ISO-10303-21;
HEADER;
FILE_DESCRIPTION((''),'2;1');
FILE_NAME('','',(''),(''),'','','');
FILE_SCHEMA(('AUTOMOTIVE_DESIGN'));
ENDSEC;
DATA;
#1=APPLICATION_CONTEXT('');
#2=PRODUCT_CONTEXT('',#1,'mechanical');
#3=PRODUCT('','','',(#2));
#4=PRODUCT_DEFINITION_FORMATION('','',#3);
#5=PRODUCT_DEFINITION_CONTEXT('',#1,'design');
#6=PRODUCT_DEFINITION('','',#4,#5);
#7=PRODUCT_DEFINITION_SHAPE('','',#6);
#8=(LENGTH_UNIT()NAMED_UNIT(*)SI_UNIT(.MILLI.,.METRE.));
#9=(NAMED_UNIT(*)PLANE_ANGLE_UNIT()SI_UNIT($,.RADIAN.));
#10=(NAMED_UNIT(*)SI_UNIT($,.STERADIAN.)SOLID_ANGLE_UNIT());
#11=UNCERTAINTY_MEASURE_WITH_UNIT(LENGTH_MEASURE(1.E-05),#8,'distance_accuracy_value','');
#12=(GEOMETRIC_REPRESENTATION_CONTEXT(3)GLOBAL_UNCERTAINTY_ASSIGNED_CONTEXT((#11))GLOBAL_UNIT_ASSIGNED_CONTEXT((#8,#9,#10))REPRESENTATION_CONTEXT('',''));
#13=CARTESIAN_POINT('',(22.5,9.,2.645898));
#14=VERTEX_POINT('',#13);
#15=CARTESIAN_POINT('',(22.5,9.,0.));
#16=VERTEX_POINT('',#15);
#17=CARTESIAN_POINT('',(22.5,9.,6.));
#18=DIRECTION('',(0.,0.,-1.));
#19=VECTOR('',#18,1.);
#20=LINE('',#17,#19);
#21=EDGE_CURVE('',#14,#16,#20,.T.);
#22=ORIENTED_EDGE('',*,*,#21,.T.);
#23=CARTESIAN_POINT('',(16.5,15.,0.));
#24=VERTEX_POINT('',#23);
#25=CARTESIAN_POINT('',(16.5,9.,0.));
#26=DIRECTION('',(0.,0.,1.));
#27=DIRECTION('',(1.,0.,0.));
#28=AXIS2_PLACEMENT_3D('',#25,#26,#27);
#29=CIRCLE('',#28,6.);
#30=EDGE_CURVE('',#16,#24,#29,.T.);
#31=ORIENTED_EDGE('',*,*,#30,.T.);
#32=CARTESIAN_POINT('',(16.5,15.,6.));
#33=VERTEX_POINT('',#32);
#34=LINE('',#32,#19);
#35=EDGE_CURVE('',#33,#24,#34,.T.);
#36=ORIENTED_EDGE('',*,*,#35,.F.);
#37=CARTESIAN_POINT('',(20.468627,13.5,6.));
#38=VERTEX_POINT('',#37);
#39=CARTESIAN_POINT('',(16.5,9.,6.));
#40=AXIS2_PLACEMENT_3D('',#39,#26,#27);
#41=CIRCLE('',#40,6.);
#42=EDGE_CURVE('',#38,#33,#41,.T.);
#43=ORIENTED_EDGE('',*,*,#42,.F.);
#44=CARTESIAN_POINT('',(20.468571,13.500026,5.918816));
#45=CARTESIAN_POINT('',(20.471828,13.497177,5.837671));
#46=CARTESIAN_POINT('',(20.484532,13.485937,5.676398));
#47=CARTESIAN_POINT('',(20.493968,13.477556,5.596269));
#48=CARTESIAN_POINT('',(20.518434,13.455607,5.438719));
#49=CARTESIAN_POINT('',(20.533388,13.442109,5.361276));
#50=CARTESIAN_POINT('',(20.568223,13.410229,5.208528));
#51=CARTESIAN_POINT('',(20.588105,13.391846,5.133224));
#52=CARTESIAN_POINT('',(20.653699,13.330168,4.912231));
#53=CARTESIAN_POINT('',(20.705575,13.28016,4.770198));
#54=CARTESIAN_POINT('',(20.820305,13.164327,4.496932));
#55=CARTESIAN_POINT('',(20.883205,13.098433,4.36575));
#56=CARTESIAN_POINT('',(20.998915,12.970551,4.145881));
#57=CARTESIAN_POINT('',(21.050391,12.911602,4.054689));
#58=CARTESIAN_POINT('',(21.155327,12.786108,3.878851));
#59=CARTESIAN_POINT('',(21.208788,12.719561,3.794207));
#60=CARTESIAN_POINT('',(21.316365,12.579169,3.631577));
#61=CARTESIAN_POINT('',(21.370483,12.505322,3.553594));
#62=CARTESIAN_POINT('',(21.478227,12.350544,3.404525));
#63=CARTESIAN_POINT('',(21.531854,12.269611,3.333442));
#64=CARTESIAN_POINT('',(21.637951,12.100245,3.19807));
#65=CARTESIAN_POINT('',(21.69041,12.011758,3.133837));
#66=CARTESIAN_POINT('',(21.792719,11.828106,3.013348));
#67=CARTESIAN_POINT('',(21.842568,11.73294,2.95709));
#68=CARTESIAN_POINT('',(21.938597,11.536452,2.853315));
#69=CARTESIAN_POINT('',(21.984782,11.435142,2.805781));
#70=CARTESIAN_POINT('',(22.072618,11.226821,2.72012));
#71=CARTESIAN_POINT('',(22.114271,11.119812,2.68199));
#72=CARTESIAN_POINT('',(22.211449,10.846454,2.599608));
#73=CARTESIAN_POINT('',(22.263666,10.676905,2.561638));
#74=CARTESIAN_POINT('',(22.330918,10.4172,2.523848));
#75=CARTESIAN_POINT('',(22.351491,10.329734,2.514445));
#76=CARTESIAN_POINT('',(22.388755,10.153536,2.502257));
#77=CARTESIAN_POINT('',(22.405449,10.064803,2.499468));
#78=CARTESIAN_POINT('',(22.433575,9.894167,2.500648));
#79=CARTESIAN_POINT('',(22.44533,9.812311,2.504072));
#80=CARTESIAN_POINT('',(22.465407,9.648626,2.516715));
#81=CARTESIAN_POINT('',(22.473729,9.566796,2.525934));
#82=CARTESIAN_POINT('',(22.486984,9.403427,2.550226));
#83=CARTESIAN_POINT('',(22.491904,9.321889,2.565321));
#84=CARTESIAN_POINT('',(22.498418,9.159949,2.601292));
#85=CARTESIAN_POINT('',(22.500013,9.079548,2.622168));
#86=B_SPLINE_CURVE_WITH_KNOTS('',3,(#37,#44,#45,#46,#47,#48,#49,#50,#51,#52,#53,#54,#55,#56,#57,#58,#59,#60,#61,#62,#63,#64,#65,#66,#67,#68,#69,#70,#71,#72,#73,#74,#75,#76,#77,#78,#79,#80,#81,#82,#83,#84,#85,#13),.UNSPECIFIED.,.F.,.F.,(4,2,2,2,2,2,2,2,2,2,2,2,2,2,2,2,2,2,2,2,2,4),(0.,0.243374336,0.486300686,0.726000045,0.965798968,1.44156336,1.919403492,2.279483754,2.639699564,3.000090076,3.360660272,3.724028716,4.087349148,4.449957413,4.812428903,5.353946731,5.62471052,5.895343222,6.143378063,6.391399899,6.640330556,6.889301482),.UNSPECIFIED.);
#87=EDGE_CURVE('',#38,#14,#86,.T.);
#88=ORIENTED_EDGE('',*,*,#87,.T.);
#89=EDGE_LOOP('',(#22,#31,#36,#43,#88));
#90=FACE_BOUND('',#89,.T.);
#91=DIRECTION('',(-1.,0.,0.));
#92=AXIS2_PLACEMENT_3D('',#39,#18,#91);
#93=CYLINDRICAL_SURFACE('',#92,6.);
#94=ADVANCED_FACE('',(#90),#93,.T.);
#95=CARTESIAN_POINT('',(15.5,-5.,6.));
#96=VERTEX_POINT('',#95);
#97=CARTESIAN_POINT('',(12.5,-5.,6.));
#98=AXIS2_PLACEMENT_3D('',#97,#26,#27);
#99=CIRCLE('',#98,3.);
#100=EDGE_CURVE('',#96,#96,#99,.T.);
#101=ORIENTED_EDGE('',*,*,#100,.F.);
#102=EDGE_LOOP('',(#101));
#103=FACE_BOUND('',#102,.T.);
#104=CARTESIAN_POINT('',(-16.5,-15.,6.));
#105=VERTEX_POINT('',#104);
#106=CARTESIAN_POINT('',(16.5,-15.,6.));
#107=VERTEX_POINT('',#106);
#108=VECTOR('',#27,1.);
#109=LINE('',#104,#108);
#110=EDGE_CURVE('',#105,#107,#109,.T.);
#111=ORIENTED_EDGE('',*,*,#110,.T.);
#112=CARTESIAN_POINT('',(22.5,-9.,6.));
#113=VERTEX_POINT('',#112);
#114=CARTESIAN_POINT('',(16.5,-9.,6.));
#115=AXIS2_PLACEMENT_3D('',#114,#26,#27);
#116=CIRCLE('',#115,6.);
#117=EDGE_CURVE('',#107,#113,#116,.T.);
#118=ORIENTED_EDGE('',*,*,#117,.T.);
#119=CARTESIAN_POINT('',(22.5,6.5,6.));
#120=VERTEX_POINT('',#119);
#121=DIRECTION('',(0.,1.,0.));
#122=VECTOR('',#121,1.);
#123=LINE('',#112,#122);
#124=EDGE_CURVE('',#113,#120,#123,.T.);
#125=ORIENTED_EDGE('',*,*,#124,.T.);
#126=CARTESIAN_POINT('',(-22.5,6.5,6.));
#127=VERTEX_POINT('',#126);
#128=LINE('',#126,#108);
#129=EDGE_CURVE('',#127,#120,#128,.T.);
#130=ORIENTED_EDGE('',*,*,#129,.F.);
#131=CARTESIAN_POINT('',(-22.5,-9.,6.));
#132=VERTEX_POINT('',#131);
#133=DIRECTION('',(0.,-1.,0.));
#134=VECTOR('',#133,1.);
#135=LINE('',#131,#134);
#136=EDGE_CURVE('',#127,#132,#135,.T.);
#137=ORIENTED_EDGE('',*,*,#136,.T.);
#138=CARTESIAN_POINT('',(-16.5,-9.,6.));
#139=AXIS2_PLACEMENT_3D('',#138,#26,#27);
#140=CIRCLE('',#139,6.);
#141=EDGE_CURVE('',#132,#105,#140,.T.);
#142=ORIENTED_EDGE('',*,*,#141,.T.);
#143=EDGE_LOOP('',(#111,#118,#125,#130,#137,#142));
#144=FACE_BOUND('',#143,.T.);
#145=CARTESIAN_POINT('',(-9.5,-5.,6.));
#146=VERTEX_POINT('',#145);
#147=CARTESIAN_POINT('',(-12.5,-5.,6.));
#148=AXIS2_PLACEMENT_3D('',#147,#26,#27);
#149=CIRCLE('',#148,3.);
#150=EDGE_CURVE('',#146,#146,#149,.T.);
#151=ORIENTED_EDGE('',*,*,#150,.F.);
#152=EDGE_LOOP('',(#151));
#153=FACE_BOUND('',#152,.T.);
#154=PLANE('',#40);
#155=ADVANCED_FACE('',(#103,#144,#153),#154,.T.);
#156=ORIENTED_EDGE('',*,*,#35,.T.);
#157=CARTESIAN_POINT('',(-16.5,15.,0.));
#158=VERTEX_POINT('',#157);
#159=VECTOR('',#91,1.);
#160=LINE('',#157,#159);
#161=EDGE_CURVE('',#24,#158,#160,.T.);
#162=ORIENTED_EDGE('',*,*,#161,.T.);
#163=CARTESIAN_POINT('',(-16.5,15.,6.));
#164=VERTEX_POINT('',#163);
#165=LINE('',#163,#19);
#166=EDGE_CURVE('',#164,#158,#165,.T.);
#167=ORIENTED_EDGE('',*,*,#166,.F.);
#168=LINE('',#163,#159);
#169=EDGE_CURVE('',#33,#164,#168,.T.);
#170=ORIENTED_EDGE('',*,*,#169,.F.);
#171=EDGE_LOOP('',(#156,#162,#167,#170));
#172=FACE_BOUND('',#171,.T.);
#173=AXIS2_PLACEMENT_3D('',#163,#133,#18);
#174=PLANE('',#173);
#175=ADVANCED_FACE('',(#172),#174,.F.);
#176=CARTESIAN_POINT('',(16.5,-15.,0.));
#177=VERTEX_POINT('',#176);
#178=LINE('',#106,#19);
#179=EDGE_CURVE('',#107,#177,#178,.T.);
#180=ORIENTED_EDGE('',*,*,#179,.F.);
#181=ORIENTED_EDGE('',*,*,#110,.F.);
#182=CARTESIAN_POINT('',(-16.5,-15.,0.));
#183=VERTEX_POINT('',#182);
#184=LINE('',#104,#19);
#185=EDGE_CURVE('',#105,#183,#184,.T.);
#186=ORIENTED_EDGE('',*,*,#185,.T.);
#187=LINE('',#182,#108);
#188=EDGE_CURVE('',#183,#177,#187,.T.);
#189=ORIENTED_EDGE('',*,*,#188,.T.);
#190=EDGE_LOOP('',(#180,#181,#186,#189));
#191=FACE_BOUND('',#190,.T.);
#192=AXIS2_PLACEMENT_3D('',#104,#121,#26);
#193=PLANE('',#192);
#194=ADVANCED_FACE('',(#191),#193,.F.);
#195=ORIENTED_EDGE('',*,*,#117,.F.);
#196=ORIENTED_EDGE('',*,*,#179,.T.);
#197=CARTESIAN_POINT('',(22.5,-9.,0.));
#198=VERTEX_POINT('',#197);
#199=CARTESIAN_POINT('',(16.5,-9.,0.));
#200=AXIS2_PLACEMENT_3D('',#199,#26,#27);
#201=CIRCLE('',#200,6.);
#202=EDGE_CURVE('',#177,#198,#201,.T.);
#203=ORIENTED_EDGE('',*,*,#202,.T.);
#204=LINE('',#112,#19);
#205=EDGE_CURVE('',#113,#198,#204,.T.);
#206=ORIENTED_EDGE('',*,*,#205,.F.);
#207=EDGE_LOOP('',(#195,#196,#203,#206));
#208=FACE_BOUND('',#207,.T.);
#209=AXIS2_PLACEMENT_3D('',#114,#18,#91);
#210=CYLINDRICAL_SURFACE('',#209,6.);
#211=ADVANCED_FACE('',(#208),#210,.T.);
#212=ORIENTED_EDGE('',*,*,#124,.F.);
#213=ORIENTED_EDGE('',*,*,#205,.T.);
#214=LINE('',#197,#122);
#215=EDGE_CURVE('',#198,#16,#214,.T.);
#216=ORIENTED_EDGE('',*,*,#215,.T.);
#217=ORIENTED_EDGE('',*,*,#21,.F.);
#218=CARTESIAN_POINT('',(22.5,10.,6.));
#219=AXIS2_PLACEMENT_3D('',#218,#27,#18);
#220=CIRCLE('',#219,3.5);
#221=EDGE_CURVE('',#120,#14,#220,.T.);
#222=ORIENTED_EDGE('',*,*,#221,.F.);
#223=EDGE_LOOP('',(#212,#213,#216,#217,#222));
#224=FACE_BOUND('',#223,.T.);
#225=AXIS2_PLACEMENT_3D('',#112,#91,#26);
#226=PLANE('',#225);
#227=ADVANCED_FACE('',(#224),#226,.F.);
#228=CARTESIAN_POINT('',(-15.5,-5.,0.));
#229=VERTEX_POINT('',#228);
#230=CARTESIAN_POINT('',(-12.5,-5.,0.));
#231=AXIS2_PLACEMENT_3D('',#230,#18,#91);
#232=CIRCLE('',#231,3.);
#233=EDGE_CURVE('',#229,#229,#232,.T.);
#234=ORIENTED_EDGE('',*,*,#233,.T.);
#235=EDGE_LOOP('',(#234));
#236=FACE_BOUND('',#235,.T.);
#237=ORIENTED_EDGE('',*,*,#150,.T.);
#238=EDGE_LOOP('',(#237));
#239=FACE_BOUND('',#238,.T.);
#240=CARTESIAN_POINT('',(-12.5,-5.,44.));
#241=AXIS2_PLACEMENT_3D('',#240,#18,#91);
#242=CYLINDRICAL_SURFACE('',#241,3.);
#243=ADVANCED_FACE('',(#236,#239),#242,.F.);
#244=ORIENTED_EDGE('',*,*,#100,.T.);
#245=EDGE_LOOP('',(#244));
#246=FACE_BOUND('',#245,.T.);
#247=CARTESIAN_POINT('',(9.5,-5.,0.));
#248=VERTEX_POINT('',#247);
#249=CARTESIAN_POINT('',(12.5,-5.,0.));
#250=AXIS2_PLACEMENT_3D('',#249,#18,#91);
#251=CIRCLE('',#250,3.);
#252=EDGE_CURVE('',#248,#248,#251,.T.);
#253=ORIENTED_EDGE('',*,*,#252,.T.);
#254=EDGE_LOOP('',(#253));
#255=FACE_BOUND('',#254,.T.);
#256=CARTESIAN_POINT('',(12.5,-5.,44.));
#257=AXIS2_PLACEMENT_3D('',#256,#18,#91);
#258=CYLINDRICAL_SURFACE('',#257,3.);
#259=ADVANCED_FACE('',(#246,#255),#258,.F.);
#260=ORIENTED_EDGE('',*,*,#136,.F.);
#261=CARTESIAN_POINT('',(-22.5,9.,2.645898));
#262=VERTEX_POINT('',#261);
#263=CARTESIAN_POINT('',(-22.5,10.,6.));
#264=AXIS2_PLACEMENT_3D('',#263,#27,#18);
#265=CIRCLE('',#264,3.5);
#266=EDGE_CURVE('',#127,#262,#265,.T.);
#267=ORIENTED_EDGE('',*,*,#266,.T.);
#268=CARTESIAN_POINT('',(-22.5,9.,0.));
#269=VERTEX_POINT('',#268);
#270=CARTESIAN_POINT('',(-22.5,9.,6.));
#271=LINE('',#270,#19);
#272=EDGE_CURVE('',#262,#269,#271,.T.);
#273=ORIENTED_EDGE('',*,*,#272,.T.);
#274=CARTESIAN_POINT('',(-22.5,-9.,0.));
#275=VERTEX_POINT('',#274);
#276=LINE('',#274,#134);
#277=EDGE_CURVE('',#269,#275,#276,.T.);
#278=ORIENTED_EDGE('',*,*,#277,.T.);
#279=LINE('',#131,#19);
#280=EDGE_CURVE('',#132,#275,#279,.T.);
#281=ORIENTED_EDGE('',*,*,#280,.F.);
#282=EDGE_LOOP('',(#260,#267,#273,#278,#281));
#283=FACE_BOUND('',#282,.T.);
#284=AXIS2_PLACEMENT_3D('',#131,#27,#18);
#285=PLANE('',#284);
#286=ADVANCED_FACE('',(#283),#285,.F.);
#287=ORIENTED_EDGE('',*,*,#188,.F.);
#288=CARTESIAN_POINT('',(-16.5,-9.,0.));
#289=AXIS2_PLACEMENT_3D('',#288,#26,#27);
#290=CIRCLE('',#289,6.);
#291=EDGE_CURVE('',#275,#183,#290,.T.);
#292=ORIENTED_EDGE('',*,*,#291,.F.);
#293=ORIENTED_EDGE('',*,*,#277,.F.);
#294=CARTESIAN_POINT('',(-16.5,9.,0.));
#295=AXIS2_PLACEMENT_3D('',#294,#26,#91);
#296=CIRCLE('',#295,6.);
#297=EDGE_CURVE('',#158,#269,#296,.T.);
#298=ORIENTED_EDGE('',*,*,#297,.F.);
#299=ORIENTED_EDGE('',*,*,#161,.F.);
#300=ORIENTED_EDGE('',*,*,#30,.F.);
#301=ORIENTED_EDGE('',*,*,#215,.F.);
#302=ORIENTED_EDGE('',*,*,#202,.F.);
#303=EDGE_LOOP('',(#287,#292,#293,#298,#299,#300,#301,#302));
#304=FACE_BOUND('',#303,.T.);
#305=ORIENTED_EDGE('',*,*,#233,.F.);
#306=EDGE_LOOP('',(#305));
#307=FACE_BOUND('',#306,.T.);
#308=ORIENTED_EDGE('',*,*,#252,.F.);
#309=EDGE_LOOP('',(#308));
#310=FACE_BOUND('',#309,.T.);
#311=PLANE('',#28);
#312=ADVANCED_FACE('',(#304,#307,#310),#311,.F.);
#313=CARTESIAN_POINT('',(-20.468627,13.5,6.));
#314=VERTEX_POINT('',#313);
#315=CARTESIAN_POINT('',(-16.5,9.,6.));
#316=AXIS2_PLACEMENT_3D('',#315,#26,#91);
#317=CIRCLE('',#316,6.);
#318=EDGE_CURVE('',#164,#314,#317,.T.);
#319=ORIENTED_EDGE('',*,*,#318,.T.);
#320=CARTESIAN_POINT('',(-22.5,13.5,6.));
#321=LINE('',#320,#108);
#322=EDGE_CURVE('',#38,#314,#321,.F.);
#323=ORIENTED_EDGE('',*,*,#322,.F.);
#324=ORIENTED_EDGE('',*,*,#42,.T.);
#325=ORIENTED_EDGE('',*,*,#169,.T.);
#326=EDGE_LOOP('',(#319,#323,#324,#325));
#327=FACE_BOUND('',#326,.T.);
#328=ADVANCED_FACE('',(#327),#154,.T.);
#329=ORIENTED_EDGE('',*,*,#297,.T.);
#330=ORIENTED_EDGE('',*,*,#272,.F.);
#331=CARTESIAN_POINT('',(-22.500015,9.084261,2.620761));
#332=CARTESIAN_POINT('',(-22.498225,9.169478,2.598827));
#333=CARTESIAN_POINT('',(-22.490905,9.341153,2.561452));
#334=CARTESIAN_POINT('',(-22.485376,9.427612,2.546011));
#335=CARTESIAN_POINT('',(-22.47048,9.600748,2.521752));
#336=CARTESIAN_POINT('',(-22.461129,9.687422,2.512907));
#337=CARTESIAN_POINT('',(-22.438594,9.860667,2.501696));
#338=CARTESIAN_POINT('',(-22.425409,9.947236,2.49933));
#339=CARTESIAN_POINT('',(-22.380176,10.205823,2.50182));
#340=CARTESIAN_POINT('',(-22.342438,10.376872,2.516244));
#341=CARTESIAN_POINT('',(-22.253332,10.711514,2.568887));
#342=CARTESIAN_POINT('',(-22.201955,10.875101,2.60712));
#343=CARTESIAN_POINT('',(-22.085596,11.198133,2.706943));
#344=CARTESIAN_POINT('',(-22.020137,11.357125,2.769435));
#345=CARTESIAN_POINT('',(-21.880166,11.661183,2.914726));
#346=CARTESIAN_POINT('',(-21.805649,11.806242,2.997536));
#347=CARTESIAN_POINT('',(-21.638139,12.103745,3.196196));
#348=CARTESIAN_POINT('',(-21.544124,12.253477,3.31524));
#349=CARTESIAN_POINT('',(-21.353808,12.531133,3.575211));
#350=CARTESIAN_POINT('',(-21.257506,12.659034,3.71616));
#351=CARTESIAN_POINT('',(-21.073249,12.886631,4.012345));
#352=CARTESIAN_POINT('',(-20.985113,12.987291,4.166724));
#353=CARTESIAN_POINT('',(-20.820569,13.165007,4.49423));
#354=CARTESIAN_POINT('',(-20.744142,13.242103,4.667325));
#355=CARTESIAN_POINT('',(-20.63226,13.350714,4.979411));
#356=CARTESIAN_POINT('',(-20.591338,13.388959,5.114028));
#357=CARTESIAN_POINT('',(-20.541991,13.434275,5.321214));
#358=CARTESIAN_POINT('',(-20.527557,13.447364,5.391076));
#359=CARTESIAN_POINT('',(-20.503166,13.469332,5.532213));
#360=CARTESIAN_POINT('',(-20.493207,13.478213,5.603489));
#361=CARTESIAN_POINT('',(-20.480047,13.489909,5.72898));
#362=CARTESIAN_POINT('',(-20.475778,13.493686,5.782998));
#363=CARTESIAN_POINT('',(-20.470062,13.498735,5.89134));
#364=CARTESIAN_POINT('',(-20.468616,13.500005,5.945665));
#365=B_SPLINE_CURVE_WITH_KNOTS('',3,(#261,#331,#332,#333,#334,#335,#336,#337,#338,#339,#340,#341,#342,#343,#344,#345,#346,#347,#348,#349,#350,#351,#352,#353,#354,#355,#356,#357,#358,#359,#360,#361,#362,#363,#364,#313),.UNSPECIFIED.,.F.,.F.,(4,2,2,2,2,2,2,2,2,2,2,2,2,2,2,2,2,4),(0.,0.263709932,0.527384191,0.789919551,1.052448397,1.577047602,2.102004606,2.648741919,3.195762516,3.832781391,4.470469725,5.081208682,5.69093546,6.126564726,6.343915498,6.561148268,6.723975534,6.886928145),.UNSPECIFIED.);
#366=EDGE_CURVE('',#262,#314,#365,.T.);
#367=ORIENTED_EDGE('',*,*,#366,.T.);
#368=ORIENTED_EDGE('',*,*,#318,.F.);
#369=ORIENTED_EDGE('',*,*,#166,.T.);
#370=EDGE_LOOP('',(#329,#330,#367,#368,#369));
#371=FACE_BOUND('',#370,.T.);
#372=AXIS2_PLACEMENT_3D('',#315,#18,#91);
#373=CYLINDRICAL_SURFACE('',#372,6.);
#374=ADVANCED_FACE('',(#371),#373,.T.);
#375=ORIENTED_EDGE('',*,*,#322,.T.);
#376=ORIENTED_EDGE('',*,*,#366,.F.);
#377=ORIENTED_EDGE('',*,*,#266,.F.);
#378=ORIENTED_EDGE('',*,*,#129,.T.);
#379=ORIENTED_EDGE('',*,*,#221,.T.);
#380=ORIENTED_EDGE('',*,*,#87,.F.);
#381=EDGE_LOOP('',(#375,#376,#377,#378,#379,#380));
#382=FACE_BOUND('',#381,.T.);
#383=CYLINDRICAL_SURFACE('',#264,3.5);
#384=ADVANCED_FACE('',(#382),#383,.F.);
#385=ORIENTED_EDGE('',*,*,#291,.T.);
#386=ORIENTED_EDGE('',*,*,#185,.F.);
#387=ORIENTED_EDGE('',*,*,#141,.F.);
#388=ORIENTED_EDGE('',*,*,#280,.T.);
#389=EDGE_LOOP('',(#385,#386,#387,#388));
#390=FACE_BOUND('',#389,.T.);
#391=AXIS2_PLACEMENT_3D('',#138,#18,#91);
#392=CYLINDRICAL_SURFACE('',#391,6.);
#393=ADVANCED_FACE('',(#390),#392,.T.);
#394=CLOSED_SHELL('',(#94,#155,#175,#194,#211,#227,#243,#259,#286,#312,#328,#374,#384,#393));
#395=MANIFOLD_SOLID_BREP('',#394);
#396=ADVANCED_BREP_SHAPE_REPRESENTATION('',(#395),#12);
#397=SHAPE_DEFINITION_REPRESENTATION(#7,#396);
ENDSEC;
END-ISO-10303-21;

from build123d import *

# Parameters (mm, degrees)
Y_KSEKLIK_EKSTR_ZYON1_DEPTH = 6
KES_EKSTR_ZYON1_DEPTH       = 28.699277969
KES_EKSTR_ZYON1_DEPTH_BACK  = 28.699277969
IZIM2_R                     = 3.5
IZIM3_R                     = 3
KES_EKSTR_ZYON2_DEPTH       = 44


with BuildPart() as part:
    # Çizim1 → Yükseklik-Ekstrüzyon1 (new body)
    with BuildSketch(Plane.XY):
        with BuildLine():
            Line((-16.5, -15), (16.5, -15))
            ThreePointArc((16.5, -15), (20.742640687, -13.242640687), (22.5, -9))
            Line((22.5, -9), (22.5, 9))
            ThreePointArc((22.5, 9), (20.742640687, 13.242640687), (16.5, 15))
            Line((16.5, 15), (-16.5, 15))
            ThreePointArc((-16.5, 15), (-20.742640687, 13.242640687), (-22.5, 9))
            Line((-22.5, 9), (-22.5, -9))
            ThreePointArc((-22.5, -9), (-20.742640687, -13.242640687), (-16.5, -15))
        make_face()
    extrude(amount=Y_KSEKLIK_EKSTR_ZYON1_DEPTH)

    # Çizim2 → Kes-Ekstrüzyon1 (cut, two sides: drawn at the far end of the back side and taken through both)
    with BuildSketch(Plane(origin=(0, 0, 0), x_dir=(0, 0, -1), z_dir=(1, 0, 0)).offset(-KES_EKSTR_ZYON1_DEPTH_BACK)):
        with Locations((-6, 10)):
            Circle(IZIM2_R)
    extrude(amount=KES_EKSTR_ZYON1_DEPTH + KES_EKSTR_ZYON1_DEPTH_BACK, mode=Mode.SUBTRACT)

    # Çizim3 → Kes-Ekstrüzyon2 (cut)
    with BuildSketch(Plane(origin=(0, 0, 0), x_dir=(-1, 0, 0), z_dir=(0, 0, -1))):
        with Locations((12.5, -5)):
            Circle(IZIM3_R)
        with Locations((-12.5, -5)):
            Circle(IZIM3_R)
    extrude(amount=-KES_EKSTR_ZYON2_DEPTH, mode=Mode.SUBTRACT)


solid = part.part
